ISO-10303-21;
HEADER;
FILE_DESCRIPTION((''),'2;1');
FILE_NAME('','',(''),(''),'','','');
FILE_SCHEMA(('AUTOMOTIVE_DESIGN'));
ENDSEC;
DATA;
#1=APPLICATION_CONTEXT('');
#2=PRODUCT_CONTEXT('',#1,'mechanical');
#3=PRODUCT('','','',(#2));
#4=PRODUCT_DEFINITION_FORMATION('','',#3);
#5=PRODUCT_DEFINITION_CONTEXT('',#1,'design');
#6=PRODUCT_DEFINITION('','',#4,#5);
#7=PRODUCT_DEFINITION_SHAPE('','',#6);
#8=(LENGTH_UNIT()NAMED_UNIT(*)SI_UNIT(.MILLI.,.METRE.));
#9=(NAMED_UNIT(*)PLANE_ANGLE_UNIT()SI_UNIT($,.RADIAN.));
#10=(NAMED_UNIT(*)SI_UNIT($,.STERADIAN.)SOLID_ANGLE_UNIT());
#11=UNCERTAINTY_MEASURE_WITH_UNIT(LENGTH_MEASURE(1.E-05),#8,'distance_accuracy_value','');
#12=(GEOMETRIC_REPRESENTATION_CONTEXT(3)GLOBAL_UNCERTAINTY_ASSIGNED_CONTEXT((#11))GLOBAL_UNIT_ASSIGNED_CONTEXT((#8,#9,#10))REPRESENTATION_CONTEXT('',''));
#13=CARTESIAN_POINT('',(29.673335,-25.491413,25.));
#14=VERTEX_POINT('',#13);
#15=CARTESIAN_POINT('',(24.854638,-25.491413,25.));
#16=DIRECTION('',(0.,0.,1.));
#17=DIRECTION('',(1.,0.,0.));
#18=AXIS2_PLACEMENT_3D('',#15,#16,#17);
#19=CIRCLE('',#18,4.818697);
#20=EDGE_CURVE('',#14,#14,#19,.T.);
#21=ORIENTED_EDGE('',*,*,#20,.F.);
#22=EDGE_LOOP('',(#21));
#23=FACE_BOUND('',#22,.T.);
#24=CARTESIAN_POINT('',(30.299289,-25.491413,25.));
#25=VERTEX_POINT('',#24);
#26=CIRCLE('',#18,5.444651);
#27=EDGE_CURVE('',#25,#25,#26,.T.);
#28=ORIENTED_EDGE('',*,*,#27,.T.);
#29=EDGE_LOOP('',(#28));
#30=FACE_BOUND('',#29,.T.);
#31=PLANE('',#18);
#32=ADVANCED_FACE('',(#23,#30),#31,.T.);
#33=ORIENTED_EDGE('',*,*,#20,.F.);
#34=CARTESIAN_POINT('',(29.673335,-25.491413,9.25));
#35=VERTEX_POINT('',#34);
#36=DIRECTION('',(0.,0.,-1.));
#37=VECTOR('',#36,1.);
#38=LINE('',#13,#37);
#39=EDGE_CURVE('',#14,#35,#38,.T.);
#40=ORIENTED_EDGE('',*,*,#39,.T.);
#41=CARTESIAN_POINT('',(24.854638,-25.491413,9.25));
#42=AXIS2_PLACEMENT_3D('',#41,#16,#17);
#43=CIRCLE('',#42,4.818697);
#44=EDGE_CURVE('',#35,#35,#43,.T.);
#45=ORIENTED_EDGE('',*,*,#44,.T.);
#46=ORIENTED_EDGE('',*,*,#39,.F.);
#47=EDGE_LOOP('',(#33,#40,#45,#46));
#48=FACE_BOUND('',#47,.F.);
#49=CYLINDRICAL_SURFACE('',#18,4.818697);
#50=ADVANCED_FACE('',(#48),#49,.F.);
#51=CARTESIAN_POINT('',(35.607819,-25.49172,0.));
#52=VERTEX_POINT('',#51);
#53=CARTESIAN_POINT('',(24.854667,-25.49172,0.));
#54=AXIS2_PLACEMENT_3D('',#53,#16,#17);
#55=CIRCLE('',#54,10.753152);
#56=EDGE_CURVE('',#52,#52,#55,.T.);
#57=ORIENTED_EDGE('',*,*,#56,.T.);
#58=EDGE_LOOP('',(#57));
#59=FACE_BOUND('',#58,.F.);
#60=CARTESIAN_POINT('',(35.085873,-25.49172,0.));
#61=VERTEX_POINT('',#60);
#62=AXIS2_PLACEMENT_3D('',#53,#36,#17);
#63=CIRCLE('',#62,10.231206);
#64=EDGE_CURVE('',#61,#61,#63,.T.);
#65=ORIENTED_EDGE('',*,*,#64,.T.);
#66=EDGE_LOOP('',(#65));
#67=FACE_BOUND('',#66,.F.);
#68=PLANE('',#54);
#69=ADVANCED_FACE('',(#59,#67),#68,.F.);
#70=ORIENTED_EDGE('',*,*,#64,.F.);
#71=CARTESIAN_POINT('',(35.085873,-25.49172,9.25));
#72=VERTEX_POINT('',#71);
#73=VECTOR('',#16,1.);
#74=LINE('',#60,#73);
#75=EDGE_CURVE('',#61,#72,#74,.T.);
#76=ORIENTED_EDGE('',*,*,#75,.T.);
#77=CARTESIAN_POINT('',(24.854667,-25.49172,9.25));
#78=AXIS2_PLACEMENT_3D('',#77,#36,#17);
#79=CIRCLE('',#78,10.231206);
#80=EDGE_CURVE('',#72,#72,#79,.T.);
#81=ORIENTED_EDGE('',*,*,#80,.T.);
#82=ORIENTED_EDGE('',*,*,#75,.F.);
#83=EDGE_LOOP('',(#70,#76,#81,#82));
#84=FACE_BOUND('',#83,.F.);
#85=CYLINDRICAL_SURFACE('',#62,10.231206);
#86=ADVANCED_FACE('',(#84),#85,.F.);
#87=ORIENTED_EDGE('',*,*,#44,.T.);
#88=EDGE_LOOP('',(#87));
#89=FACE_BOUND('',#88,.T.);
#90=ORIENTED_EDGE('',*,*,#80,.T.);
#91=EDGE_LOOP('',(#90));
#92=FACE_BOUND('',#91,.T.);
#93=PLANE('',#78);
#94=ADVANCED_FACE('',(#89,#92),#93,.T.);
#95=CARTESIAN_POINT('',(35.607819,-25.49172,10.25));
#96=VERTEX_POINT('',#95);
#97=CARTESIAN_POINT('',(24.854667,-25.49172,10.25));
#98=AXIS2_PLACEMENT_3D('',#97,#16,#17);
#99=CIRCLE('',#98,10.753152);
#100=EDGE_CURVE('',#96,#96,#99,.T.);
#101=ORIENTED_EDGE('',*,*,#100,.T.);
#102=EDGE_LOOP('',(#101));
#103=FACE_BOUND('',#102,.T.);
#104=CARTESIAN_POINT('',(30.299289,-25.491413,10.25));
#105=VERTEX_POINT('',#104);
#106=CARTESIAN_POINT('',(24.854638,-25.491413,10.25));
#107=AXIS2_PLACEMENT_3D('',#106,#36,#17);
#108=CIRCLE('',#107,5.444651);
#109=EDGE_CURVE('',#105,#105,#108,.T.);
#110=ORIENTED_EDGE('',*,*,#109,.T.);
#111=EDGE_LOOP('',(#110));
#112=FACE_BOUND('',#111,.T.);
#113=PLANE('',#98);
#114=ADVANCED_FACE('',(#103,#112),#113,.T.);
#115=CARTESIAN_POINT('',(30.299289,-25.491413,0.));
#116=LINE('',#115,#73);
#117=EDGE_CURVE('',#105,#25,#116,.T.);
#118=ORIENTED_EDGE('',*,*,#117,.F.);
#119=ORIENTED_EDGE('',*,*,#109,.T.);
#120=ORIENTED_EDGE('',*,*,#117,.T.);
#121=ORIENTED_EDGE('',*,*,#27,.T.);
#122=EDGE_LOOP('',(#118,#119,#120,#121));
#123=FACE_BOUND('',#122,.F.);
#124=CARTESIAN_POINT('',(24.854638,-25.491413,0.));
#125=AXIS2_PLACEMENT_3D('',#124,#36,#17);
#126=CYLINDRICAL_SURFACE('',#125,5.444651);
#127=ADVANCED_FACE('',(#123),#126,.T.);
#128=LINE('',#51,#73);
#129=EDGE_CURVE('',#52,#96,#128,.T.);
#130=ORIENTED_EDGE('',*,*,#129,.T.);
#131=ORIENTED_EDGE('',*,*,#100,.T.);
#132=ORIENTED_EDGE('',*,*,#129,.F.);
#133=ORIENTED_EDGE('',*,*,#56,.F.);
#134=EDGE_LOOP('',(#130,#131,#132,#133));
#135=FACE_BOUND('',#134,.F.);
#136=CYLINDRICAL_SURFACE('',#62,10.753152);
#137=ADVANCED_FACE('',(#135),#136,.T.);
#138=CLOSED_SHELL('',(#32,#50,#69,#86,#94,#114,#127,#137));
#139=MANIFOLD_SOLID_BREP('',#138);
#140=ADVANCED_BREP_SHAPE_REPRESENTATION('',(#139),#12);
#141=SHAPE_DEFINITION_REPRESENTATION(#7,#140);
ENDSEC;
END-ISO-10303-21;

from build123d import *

# Parameters (mm, degrees)
F1_R      = 5.444651
F2_DEPTH  = 25
F0_R      = 10.753152
F3_DEPTH  = 10.25
F4_R      = 9.987973
F5_DEPTH  = 9.25
F6_R      = 10.118676
F7_DEPTH  = 9.25
F8_R      = 10.231206
F9_DEPTH  = 9.25
F10_R     = 4.818697
F11_DEPTH = 25


with BuildPart() as f2:
    # F1 (on face) → F2 (new body)
    with BuildSketch(Plane.XY):
        with Locations((24.854638, -25.491413)):
            Circle(F1_R)
    extrude(amount=F2_DEPTH)

    # F0 (on Top) → F3 (join)
    with BuildSketch(Plane.XY):
        with Locations((24.854667, -25.49172)):
            Circle(F0_R)
    extrude(amount=F3_DEPTH)

    # F4 (on face) → F5 (join)
    with BuildSketch(Plane(origin=(0, 0, 0), x_dir=(1, 0, 0), z_dir=(0, 0, -1))):
        with Locations((24.854667, 25.49172)):
            Circle(F4_R)
    extrude(amount=-F5_DEPTH)

    # F6 (on face) → F7 (join)
    with BuildSketch(Plane(origin=(0, 0, 0), x_dir=(1, 0, 0), z_dir=(0, 0, -1))):
        with Locations((24.854667, 25.49172)):
            Circle(F6_R)
    extrude(amount=-F7_DEPTH)

    # F8 (on face) → F9 (cut)
    with BuildSketch(Plane(origin=(0, 0, 0), x_dir=(1, 0, 0), z_dir=(0, 0, -1))):
        with Locations((24.854667, 25.49172)):
            Circle(F8_R)
    extrude(amount=-F9_DEPTH, mode=Mode.SUBTRACT)

    # F10 (on face) → F11 (cut)
    with BuildSketch(Plane.XY.offset(25)):
        with Locations((24.854638, -25.491413)):
            Circle(F10_R)
    extrude(amount=-F11_DEPTH, mode=Mode.SUBTRACT)


solid = f2.part
